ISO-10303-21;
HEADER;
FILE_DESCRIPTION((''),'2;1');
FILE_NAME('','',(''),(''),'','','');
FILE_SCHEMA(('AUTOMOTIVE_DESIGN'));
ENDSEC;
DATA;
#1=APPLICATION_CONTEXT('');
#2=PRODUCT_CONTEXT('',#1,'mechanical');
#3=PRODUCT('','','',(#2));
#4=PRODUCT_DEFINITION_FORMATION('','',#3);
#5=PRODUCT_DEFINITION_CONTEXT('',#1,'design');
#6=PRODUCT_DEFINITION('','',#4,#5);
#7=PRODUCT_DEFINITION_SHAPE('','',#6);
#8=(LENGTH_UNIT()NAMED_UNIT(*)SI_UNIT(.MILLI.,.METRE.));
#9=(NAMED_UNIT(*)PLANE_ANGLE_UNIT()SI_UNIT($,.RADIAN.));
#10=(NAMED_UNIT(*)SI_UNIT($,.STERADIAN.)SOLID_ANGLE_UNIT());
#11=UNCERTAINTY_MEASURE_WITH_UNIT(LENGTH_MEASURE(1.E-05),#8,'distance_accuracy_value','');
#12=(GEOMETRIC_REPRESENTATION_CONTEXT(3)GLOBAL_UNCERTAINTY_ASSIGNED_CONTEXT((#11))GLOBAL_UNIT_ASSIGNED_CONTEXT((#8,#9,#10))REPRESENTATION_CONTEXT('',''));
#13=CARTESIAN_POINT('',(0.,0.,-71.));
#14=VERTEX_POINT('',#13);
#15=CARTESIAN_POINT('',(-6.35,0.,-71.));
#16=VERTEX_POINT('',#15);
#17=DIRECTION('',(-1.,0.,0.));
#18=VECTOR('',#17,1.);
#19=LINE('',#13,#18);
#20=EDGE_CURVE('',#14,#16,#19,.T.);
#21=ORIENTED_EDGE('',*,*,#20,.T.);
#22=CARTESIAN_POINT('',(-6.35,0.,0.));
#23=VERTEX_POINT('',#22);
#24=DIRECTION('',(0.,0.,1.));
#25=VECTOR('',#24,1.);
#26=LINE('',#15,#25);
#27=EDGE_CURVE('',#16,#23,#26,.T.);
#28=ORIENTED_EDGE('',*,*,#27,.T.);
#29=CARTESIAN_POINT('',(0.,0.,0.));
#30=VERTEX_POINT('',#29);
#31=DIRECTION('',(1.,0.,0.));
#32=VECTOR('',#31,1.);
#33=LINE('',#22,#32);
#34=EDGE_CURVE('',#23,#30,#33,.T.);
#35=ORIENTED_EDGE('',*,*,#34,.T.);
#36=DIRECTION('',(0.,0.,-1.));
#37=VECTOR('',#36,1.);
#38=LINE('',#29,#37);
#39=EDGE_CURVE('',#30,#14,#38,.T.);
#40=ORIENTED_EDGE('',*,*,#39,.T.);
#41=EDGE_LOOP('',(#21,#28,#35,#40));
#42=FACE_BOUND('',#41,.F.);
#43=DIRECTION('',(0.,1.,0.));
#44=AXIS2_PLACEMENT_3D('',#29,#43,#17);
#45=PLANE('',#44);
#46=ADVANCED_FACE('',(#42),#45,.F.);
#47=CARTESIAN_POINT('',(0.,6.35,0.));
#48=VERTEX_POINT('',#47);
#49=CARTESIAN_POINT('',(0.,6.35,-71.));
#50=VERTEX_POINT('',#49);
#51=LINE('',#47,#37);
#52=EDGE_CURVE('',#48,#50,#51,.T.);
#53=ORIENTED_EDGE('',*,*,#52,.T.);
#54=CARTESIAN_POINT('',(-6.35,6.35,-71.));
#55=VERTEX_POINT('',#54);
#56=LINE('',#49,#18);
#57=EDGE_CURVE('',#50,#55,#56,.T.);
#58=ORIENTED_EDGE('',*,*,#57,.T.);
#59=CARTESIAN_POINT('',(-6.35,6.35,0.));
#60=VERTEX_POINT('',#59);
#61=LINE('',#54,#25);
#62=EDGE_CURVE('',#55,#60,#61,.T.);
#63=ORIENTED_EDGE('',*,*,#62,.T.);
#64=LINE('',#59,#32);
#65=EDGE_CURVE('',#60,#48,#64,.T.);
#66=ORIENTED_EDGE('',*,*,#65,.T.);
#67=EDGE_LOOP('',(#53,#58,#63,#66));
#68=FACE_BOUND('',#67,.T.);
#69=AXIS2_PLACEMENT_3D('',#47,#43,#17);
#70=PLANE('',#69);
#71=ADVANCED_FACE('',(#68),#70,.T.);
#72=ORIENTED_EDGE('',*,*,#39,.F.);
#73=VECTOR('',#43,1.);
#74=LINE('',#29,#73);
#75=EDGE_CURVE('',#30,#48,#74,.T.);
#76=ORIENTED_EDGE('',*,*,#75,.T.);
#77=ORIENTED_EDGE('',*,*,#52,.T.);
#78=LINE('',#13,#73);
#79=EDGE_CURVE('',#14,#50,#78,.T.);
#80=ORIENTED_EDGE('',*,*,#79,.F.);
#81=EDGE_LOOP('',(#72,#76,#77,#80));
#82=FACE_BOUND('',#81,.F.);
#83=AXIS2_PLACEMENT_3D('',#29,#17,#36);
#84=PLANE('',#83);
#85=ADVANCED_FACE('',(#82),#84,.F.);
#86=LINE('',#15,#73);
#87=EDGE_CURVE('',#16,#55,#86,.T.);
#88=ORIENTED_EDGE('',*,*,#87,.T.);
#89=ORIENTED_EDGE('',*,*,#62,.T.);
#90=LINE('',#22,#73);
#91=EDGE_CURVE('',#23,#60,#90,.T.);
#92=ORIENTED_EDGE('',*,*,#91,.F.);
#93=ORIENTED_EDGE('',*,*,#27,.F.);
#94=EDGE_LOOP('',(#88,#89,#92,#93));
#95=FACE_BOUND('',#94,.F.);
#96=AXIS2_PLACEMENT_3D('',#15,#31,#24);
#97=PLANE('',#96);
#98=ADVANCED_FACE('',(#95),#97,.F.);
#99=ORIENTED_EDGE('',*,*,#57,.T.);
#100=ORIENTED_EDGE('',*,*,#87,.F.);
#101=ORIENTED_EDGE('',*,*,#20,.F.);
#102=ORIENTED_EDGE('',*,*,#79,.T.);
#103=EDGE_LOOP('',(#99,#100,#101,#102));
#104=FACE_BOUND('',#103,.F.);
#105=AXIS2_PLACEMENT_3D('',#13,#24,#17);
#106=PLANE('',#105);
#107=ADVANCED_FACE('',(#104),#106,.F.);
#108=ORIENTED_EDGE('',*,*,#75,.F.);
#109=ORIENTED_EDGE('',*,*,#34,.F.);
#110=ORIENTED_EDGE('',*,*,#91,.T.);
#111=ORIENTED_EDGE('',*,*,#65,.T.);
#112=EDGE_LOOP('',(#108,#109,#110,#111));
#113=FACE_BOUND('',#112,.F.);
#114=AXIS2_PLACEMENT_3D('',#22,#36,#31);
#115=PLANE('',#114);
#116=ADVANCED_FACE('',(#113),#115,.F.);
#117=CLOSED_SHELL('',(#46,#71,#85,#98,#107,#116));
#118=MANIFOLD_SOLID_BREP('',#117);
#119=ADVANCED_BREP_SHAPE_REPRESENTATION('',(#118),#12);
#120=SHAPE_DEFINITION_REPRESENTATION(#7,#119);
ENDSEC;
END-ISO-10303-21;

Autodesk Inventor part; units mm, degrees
ref_plane "YZ Plane" through (0, 0, 0) normal (1, 0, 0) x (0, 1, 0)
ref_plane "XZ Plane" through (0, 0, 0) normal (0, 1, 0) x (-1, 0, 0)
ref_plane "XY Plane" through (0, 0, 0) normal (0, 0, 1) x (1, 0, 0)
sketch "Sketch1" plane through (0, 0, 0) normal (0, 1, 0) x (-1, 0, 0)
  line L0 (0, 0) -> (0, -71)
  line L1 (0, -71) -> (6.35, -71)
  line L2 (6.35, -71) -> (6.35, 0)
  line L3 (6.35, 0) -> (0, 0)
  dimension "d0" = 71
  dimension "d1" = 6.35
extrude "Extrusion1" add sketch "Sketch1" along normal blind 6.35
properties part number "Connectors"
